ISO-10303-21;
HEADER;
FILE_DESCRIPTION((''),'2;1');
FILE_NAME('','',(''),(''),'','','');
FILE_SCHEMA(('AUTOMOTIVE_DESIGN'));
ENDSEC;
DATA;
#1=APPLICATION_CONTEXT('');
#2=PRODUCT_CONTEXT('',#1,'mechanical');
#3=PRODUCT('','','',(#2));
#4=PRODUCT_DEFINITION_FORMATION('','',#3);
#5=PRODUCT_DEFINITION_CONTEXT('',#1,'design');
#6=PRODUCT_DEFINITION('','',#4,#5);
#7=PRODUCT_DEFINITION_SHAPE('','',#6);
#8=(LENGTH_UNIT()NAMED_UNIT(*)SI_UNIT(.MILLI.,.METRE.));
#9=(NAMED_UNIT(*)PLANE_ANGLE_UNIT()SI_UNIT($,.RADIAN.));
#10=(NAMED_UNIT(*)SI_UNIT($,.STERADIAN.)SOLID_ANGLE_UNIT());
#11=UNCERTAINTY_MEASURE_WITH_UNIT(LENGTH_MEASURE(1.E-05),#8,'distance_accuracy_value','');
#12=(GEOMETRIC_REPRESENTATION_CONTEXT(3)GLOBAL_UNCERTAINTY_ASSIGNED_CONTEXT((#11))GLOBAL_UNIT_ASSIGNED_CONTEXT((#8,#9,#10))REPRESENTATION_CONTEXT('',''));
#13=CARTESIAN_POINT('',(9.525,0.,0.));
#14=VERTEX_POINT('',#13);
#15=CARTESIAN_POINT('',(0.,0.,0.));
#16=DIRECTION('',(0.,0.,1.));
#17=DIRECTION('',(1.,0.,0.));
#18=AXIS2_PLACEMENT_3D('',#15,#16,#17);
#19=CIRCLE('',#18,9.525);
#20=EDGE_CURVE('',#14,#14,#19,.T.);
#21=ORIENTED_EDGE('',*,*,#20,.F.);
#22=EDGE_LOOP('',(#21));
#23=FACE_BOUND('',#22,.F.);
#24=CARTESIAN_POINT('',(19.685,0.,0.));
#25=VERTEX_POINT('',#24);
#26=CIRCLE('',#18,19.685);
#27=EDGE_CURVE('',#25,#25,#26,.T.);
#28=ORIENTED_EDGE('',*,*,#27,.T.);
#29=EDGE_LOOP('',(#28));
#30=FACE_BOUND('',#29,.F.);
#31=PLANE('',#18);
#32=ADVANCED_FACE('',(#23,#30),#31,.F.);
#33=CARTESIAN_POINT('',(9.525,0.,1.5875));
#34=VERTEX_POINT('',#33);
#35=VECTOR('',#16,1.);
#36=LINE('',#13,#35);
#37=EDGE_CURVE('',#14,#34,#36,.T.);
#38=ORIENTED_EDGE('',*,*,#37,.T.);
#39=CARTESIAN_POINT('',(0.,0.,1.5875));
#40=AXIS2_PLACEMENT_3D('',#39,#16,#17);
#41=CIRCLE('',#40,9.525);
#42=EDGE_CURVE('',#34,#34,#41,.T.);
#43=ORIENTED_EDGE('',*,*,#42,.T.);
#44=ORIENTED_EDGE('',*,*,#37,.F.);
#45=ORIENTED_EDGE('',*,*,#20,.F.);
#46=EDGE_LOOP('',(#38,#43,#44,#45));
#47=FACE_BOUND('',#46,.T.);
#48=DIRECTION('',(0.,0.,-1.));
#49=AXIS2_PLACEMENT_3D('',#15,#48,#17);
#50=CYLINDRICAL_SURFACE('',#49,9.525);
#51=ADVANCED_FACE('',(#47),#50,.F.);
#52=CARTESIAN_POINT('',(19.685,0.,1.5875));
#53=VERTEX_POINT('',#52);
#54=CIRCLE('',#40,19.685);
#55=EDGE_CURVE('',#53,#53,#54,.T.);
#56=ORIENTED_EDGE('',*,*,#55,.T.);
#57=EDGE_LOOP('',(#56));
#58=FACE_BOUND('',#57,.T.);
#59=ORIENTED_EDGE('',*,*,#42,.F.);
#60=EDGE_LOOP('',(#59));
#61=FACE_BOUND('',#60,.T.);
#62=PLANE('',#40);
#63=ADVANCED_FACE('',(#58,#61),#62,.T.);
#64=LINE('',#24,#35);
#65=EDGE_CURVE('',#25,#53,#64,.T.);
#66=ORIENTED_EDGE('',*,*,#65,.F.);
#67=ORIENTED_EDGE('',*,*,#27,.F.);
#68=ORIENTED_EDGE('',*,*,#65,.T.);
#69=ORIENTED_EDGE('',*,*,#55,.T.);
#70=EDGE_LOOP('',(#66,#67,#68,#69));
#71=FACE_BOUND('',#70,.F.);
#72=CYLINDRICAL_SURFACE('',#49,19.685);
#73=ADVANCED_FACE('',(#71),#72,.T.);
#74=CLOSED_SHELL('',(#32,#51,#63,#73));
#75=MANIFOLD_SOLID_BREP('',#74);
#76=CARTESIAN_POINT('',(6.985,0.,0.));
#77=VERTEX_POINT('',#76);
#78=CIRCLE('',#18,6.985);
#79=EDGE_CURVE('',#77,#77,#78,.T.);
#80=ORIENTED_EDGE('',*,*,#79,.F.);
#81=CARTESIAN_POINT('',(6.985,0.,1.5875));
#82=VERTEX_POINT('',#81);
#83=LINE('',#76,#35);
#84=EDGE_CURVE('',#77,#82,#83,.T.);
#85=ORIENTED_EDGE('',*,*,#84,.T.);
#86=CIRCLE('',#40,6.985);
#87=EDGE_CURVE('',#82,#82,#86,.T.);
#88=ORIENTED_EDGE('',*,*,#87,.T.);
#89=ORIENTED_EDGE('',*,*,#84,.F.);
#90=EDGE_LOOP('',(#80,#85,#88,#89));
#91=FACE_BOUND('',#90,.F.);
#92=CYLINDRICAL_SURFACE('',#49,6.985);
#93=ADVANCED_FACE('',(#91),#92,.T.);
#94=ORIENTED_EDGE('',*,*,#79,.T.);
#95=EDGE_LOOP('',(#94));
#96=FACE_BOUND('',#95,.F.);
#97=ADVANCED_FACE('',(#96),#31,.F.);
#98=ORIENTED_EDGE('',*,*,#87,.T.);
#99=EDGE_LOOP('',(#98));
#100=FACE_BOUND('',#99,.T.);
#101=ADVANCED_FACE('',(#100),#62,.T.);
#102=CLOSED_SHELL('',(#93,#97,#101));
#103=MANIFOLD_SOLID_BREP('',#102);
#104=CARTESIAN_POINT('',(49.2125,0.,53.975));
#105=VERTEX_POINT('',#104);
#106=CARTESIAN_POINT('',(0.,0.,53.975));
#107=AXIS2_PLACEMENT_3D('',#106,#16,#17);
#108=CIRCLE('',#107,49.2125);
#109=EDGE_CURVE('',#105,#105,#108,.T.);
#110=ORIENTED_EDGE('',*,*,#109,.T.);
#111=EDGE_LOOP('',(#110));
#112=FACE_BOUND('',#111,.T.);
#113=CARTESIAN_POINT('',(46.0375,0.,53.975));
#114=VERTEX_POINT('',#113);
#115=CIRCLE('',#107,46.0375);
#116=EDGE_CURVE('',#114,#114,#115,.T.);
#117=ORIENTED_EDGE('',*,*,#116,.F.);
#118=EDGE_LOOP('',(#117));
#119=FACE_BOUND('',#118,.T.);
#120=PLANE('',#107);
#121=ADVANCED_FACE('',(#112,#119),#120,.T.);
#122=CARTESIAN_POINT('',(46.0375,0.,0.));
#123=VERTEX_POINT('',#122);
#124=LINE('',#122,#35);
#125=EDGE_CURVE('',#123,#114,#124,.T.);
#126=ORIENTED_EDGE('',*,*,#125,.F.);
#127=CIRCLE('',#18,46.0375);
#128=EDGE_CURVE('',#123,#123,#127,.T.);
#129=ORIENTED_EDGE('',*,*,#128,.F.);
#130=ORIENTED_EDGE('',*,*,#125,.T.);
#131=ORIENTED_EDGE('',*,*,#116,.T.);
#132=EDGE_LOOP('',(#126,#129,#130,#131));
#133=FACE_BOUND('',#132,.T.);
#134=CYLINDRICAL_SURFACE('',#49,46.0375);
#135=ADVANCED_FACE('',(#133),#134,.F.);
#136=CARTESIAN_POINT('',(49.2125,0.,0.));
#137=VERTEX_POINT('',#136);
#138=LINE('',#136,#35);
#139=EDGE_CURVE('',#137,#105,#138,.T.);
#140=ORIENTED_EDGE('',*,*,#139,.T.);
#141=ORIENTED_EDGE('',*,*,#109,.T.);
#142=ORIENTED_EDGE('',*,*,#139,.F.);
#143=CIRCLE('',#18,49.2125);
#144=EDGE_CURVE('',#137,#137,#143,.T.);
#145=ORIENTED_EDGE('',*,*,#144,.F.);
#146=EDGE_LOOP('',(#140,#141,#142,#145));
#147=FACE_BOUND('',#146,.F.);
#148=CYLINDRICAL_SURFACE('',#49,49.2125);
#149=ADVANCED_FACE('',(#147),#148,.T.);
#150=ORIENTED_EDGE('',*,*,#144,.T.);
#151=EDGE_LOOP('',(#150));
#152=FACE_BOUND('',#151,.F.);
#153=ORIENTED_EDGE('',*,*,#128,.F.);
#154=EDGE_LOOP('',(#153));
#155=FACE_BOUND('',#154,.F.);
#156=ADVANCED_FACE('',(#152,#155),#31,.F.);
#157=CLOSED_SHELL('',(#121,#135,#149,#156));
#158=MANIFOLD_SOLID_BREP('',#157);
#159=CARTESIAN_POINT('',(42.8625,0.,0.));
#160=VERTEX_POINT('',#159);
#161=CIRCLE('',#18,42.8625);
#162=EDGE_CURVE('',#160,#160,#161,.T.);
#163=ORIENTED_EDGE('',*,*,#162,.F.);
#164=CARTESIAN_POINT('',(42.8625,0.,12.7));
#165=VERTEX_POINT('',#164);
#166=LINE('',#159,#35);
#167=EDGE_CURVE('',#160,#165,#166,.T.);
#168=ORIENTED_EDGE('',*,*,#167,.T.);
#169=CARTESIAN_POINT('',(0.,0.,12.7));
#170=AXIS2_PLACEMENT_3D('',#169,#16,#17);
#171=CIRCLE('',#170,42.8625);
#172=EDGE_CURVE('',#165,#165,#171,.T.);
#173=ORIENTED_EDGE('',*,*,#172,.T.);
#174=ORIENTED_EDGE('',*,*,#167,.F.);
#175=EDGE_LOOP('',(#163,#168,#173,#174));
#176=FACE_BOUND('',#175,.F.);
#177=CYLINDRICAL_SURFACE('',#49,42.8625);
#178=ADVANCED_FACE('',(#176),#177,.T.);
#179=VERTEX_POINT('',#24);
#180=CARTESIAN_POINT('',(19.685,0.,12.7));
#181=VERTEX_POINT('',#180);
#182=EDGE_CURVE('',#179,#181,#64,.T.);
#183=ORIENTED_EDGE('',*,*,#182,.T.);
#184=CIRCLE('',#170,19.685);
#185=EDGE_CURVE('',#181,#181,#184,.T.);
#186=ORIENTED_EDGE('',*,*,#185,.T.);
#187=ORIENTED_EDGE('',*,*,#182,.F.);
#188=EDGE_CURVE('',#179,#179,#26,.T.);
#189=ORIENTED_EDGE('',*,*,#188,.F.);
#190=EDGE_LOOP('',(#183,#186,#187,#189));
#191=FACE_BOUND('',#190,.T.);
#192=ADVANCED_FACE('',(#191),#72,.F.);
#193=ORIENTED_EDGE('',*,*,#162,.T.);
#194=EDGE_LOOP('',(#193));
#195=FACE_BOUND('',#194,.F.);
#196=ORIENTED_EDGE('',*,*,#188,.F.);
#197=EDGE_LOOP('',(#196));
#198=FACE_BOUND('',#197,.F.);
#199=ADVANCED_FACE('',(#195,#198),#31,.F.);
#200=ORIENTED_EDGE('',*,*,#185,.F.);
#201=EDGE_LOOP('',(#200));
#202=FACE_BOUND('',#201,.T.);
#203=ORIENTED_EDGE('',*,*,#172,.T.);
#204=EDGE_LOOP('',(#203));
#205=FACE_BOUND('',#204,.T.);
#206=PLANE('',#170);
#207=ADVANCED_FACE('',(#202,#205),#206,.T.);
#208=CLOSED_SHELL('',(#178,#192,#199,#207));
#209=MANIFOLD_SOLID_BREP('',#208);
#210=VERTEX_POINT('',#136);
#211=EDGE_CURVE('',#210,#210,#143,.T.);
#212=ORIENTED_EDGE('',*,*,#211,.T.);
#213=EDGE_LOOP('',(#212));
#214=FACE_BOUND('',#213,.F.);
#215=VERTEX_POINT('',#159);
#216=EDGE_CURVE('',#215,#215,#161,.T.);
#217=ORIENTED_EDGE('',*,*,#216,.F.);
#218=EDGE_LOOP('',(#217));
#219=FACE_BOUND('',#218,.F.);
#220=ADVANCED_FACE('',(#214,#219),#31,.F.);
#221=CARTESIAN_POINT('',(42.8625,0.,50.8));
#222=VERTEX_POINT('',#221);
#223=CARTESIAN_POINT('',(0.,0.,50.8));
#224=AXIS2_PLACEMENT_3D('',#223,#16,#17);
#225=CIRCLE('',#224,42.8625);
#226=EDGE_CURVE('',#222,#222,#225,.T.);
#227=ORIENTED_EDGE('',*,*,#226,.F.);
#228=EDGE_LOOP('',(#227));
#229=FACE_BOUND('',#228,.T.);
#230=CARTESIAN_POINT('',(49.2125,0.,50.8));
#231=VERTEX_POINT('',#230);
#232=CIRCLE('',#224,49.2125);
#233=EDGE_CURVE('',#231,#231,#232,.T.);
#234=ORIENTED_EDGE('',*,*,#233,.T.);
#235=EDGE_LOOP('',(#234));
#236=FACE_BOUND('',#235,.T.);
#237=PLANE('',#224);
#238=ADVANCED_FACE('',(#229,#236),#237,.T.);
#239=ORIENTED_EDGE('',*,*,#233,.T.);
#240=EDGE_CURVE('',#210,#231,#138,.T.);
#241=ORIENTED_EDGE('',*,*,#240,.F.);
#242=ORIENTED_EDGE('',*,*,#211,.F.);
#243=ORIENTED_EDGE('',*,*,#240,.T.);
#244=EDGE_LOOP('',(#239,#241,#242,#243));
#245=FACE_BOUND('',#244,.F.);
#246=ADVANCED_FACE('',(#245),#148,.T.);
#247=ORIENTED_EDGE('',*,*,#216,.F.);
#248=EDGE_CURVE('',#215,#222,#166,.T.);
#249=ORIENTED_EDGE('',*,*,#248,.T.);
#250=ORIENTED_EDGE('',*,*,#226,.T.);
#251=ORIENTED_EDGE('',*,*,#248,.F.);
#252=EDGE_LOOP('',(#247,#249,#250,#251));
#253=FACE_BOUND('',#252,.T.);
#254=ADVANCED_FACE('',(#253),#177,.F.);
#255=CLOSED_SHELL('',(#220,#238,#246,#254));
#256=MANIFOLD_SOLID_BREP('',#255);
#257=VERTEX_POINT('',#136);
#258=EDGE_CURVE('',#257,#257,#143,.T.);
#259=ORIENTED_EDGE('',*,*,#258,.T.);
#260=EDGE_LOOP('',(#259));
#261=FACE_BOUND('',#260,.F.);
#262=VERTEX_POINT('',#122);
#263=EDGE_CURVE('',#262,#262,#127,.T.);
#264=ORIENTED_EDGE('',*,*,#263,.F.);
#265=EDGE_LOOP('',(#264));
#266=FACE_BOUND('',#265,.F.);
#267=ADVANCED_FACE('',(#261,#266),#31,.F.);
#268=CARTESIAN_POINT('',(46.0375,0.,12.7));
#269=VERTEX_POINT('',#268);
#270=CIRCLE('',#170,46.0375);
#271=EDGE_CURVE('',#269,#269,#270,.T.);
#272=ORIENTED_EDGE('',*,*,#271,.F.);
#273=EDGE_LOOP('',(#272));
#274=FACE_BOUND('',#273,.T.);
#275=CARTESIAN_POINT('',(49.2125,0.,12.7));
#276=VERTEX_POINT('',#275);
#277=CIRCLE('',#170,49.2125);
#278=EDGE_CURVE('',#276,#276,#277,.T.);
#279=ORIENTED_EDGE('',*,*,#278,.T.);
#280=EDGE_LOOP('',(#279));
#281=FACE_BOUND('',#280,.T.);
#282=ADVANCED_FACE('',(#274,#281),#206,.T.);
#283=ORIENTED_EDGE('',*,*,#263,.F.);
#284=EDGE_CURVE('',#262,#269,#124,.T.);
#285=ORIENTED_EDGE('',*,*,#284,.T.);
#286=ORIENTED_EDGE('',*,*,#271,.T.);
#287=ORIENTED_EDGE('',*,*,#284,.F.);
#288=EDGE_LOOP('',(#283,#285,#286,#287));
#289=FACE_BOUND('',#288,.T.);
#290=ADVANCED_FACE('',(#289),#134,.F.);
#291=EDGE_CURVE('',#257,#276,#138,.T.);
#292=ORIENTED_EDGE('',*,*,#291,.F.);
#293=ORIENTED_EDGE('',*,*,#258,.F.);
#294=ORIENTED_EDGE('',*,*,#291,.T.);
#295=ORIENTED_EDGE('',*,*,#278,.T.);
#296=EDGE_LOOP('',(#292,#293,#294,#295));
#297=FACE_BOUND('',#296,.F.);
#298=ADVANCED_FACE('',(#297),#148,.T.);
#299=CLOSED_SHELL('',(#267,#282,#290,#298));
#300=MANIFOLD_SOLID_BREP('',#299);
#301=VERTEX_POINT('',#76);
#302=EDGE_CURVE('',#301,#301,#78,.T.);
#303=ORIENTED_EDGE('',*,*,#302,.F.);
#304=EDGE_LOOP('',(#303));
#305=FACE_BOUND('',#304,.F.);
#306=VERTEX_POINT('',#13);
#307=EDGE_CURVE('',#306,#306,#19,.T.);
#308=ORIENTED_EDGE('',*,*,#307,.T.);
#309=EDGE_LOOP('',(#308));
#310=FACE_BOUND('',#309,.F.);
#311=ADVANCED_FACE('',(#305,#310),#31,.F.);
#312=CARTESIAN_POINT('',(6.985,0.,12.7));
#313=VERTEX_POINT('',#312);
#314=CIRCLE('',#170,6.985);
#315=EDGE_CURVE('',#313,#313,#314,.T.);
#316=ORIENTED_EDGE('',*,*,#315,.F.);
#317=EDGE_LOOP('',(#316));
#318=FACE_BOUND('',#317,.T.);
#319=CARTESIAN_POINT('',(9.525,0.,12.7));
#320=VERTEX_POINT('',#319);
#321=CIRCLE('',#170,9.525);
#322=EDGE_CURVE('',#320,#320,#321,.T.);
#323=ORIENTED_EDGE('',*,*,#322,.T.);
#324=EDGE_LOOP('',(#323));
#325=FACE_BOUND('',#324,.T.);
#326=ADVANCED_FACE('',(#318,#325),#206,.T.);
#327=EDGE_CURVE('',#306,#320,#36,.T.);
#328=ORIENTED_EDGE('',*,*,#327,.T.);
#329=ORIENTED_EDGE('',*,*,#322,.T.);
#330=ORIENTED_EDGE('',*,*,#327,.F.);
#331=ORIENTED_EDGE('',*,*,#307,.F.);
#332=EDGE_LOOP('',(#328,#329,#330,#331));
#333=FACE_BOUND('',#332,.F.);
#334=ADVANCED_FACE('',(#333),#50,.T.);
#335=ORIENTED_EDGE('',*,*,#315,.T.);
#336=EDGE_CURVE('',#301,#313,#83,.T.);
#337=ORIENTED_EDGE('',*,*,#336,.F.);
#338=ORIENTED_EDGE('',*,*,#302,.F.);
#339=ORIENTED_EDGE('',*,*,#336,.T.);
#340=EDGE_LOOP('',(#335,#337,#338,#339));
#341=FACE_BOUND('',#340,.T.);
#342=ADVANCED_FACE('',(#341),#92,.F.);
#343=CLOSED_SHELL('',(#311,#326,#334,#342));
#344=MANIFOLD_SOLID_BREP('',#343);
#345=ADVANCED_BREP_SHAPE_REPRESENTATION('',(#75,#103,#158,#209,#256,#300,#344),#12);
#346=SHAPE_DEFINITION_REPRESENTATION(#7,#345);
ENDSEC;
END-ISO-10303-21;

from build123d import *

# Parameters (mm, degrees)
F0_R     = 49.2125
F0_R_2   = 46.0375
F1_DEPTH = 53.975
F0_R_3   = 42.8625
F2_DEPTH = 50.8
F0_R_4   = 19.685
F0_R_5   = 9.525
F0_R_6   = 6.985
F3_DEPTH = 12.7
F4_DEPTH = 1.5875


with BuildPart() as f1:
    # F0 (on Top) → F1 (new body)
    with BuildSketch(Plane.XY):
        Circle(F0_R)
        Circle(F0_R_2, mode=Mode.SUBTRACT)
    extrude(amount=F1_DEPTH)


with BuildPart() as f2:
    # F0 (on Top) → F2 (new body)
    with BuildSketch(Plane.XY):
        Circle(F0_R)
        Circle(F0_R_2, mode=Mode.SUBTRACT)
        Circle(F0_R_2)
        Circle(F0_R_3, mode=Mode.SUBTRACT)
    extrude(amount=F2_DEPTH)


with BuildPart() as f3:
    # F0 (on Top) → F3 (new body)
    with BuildSketch(Plane.XY):
        Circle(F0_R)
        Circle(F0_R_2, mode=Mode.SUBTRACT)
        Circle(F0_R_3)
        Circle(F0_R_4, mode=Mode.SUBTRACT)
        Circle(F0_R_5)
        Circle(F0_R_6, mode=Mode.SUBTRACT)
    extrude(amount=F3_DEPTH)


with BuildPart() as f4:
    # F0 (on Top) → F4 (new body)
    with BuildSketch(Plane.XY):
        Circle(F0_R_4)
        Circle(F0_R_5, mode=Mode.SUBTRACT)
        Circle(F0_R_6)
    extrude(amount=F4_DEPTH)


solid = Compound([f1.part, f2.part, f3.part, f4.part])
